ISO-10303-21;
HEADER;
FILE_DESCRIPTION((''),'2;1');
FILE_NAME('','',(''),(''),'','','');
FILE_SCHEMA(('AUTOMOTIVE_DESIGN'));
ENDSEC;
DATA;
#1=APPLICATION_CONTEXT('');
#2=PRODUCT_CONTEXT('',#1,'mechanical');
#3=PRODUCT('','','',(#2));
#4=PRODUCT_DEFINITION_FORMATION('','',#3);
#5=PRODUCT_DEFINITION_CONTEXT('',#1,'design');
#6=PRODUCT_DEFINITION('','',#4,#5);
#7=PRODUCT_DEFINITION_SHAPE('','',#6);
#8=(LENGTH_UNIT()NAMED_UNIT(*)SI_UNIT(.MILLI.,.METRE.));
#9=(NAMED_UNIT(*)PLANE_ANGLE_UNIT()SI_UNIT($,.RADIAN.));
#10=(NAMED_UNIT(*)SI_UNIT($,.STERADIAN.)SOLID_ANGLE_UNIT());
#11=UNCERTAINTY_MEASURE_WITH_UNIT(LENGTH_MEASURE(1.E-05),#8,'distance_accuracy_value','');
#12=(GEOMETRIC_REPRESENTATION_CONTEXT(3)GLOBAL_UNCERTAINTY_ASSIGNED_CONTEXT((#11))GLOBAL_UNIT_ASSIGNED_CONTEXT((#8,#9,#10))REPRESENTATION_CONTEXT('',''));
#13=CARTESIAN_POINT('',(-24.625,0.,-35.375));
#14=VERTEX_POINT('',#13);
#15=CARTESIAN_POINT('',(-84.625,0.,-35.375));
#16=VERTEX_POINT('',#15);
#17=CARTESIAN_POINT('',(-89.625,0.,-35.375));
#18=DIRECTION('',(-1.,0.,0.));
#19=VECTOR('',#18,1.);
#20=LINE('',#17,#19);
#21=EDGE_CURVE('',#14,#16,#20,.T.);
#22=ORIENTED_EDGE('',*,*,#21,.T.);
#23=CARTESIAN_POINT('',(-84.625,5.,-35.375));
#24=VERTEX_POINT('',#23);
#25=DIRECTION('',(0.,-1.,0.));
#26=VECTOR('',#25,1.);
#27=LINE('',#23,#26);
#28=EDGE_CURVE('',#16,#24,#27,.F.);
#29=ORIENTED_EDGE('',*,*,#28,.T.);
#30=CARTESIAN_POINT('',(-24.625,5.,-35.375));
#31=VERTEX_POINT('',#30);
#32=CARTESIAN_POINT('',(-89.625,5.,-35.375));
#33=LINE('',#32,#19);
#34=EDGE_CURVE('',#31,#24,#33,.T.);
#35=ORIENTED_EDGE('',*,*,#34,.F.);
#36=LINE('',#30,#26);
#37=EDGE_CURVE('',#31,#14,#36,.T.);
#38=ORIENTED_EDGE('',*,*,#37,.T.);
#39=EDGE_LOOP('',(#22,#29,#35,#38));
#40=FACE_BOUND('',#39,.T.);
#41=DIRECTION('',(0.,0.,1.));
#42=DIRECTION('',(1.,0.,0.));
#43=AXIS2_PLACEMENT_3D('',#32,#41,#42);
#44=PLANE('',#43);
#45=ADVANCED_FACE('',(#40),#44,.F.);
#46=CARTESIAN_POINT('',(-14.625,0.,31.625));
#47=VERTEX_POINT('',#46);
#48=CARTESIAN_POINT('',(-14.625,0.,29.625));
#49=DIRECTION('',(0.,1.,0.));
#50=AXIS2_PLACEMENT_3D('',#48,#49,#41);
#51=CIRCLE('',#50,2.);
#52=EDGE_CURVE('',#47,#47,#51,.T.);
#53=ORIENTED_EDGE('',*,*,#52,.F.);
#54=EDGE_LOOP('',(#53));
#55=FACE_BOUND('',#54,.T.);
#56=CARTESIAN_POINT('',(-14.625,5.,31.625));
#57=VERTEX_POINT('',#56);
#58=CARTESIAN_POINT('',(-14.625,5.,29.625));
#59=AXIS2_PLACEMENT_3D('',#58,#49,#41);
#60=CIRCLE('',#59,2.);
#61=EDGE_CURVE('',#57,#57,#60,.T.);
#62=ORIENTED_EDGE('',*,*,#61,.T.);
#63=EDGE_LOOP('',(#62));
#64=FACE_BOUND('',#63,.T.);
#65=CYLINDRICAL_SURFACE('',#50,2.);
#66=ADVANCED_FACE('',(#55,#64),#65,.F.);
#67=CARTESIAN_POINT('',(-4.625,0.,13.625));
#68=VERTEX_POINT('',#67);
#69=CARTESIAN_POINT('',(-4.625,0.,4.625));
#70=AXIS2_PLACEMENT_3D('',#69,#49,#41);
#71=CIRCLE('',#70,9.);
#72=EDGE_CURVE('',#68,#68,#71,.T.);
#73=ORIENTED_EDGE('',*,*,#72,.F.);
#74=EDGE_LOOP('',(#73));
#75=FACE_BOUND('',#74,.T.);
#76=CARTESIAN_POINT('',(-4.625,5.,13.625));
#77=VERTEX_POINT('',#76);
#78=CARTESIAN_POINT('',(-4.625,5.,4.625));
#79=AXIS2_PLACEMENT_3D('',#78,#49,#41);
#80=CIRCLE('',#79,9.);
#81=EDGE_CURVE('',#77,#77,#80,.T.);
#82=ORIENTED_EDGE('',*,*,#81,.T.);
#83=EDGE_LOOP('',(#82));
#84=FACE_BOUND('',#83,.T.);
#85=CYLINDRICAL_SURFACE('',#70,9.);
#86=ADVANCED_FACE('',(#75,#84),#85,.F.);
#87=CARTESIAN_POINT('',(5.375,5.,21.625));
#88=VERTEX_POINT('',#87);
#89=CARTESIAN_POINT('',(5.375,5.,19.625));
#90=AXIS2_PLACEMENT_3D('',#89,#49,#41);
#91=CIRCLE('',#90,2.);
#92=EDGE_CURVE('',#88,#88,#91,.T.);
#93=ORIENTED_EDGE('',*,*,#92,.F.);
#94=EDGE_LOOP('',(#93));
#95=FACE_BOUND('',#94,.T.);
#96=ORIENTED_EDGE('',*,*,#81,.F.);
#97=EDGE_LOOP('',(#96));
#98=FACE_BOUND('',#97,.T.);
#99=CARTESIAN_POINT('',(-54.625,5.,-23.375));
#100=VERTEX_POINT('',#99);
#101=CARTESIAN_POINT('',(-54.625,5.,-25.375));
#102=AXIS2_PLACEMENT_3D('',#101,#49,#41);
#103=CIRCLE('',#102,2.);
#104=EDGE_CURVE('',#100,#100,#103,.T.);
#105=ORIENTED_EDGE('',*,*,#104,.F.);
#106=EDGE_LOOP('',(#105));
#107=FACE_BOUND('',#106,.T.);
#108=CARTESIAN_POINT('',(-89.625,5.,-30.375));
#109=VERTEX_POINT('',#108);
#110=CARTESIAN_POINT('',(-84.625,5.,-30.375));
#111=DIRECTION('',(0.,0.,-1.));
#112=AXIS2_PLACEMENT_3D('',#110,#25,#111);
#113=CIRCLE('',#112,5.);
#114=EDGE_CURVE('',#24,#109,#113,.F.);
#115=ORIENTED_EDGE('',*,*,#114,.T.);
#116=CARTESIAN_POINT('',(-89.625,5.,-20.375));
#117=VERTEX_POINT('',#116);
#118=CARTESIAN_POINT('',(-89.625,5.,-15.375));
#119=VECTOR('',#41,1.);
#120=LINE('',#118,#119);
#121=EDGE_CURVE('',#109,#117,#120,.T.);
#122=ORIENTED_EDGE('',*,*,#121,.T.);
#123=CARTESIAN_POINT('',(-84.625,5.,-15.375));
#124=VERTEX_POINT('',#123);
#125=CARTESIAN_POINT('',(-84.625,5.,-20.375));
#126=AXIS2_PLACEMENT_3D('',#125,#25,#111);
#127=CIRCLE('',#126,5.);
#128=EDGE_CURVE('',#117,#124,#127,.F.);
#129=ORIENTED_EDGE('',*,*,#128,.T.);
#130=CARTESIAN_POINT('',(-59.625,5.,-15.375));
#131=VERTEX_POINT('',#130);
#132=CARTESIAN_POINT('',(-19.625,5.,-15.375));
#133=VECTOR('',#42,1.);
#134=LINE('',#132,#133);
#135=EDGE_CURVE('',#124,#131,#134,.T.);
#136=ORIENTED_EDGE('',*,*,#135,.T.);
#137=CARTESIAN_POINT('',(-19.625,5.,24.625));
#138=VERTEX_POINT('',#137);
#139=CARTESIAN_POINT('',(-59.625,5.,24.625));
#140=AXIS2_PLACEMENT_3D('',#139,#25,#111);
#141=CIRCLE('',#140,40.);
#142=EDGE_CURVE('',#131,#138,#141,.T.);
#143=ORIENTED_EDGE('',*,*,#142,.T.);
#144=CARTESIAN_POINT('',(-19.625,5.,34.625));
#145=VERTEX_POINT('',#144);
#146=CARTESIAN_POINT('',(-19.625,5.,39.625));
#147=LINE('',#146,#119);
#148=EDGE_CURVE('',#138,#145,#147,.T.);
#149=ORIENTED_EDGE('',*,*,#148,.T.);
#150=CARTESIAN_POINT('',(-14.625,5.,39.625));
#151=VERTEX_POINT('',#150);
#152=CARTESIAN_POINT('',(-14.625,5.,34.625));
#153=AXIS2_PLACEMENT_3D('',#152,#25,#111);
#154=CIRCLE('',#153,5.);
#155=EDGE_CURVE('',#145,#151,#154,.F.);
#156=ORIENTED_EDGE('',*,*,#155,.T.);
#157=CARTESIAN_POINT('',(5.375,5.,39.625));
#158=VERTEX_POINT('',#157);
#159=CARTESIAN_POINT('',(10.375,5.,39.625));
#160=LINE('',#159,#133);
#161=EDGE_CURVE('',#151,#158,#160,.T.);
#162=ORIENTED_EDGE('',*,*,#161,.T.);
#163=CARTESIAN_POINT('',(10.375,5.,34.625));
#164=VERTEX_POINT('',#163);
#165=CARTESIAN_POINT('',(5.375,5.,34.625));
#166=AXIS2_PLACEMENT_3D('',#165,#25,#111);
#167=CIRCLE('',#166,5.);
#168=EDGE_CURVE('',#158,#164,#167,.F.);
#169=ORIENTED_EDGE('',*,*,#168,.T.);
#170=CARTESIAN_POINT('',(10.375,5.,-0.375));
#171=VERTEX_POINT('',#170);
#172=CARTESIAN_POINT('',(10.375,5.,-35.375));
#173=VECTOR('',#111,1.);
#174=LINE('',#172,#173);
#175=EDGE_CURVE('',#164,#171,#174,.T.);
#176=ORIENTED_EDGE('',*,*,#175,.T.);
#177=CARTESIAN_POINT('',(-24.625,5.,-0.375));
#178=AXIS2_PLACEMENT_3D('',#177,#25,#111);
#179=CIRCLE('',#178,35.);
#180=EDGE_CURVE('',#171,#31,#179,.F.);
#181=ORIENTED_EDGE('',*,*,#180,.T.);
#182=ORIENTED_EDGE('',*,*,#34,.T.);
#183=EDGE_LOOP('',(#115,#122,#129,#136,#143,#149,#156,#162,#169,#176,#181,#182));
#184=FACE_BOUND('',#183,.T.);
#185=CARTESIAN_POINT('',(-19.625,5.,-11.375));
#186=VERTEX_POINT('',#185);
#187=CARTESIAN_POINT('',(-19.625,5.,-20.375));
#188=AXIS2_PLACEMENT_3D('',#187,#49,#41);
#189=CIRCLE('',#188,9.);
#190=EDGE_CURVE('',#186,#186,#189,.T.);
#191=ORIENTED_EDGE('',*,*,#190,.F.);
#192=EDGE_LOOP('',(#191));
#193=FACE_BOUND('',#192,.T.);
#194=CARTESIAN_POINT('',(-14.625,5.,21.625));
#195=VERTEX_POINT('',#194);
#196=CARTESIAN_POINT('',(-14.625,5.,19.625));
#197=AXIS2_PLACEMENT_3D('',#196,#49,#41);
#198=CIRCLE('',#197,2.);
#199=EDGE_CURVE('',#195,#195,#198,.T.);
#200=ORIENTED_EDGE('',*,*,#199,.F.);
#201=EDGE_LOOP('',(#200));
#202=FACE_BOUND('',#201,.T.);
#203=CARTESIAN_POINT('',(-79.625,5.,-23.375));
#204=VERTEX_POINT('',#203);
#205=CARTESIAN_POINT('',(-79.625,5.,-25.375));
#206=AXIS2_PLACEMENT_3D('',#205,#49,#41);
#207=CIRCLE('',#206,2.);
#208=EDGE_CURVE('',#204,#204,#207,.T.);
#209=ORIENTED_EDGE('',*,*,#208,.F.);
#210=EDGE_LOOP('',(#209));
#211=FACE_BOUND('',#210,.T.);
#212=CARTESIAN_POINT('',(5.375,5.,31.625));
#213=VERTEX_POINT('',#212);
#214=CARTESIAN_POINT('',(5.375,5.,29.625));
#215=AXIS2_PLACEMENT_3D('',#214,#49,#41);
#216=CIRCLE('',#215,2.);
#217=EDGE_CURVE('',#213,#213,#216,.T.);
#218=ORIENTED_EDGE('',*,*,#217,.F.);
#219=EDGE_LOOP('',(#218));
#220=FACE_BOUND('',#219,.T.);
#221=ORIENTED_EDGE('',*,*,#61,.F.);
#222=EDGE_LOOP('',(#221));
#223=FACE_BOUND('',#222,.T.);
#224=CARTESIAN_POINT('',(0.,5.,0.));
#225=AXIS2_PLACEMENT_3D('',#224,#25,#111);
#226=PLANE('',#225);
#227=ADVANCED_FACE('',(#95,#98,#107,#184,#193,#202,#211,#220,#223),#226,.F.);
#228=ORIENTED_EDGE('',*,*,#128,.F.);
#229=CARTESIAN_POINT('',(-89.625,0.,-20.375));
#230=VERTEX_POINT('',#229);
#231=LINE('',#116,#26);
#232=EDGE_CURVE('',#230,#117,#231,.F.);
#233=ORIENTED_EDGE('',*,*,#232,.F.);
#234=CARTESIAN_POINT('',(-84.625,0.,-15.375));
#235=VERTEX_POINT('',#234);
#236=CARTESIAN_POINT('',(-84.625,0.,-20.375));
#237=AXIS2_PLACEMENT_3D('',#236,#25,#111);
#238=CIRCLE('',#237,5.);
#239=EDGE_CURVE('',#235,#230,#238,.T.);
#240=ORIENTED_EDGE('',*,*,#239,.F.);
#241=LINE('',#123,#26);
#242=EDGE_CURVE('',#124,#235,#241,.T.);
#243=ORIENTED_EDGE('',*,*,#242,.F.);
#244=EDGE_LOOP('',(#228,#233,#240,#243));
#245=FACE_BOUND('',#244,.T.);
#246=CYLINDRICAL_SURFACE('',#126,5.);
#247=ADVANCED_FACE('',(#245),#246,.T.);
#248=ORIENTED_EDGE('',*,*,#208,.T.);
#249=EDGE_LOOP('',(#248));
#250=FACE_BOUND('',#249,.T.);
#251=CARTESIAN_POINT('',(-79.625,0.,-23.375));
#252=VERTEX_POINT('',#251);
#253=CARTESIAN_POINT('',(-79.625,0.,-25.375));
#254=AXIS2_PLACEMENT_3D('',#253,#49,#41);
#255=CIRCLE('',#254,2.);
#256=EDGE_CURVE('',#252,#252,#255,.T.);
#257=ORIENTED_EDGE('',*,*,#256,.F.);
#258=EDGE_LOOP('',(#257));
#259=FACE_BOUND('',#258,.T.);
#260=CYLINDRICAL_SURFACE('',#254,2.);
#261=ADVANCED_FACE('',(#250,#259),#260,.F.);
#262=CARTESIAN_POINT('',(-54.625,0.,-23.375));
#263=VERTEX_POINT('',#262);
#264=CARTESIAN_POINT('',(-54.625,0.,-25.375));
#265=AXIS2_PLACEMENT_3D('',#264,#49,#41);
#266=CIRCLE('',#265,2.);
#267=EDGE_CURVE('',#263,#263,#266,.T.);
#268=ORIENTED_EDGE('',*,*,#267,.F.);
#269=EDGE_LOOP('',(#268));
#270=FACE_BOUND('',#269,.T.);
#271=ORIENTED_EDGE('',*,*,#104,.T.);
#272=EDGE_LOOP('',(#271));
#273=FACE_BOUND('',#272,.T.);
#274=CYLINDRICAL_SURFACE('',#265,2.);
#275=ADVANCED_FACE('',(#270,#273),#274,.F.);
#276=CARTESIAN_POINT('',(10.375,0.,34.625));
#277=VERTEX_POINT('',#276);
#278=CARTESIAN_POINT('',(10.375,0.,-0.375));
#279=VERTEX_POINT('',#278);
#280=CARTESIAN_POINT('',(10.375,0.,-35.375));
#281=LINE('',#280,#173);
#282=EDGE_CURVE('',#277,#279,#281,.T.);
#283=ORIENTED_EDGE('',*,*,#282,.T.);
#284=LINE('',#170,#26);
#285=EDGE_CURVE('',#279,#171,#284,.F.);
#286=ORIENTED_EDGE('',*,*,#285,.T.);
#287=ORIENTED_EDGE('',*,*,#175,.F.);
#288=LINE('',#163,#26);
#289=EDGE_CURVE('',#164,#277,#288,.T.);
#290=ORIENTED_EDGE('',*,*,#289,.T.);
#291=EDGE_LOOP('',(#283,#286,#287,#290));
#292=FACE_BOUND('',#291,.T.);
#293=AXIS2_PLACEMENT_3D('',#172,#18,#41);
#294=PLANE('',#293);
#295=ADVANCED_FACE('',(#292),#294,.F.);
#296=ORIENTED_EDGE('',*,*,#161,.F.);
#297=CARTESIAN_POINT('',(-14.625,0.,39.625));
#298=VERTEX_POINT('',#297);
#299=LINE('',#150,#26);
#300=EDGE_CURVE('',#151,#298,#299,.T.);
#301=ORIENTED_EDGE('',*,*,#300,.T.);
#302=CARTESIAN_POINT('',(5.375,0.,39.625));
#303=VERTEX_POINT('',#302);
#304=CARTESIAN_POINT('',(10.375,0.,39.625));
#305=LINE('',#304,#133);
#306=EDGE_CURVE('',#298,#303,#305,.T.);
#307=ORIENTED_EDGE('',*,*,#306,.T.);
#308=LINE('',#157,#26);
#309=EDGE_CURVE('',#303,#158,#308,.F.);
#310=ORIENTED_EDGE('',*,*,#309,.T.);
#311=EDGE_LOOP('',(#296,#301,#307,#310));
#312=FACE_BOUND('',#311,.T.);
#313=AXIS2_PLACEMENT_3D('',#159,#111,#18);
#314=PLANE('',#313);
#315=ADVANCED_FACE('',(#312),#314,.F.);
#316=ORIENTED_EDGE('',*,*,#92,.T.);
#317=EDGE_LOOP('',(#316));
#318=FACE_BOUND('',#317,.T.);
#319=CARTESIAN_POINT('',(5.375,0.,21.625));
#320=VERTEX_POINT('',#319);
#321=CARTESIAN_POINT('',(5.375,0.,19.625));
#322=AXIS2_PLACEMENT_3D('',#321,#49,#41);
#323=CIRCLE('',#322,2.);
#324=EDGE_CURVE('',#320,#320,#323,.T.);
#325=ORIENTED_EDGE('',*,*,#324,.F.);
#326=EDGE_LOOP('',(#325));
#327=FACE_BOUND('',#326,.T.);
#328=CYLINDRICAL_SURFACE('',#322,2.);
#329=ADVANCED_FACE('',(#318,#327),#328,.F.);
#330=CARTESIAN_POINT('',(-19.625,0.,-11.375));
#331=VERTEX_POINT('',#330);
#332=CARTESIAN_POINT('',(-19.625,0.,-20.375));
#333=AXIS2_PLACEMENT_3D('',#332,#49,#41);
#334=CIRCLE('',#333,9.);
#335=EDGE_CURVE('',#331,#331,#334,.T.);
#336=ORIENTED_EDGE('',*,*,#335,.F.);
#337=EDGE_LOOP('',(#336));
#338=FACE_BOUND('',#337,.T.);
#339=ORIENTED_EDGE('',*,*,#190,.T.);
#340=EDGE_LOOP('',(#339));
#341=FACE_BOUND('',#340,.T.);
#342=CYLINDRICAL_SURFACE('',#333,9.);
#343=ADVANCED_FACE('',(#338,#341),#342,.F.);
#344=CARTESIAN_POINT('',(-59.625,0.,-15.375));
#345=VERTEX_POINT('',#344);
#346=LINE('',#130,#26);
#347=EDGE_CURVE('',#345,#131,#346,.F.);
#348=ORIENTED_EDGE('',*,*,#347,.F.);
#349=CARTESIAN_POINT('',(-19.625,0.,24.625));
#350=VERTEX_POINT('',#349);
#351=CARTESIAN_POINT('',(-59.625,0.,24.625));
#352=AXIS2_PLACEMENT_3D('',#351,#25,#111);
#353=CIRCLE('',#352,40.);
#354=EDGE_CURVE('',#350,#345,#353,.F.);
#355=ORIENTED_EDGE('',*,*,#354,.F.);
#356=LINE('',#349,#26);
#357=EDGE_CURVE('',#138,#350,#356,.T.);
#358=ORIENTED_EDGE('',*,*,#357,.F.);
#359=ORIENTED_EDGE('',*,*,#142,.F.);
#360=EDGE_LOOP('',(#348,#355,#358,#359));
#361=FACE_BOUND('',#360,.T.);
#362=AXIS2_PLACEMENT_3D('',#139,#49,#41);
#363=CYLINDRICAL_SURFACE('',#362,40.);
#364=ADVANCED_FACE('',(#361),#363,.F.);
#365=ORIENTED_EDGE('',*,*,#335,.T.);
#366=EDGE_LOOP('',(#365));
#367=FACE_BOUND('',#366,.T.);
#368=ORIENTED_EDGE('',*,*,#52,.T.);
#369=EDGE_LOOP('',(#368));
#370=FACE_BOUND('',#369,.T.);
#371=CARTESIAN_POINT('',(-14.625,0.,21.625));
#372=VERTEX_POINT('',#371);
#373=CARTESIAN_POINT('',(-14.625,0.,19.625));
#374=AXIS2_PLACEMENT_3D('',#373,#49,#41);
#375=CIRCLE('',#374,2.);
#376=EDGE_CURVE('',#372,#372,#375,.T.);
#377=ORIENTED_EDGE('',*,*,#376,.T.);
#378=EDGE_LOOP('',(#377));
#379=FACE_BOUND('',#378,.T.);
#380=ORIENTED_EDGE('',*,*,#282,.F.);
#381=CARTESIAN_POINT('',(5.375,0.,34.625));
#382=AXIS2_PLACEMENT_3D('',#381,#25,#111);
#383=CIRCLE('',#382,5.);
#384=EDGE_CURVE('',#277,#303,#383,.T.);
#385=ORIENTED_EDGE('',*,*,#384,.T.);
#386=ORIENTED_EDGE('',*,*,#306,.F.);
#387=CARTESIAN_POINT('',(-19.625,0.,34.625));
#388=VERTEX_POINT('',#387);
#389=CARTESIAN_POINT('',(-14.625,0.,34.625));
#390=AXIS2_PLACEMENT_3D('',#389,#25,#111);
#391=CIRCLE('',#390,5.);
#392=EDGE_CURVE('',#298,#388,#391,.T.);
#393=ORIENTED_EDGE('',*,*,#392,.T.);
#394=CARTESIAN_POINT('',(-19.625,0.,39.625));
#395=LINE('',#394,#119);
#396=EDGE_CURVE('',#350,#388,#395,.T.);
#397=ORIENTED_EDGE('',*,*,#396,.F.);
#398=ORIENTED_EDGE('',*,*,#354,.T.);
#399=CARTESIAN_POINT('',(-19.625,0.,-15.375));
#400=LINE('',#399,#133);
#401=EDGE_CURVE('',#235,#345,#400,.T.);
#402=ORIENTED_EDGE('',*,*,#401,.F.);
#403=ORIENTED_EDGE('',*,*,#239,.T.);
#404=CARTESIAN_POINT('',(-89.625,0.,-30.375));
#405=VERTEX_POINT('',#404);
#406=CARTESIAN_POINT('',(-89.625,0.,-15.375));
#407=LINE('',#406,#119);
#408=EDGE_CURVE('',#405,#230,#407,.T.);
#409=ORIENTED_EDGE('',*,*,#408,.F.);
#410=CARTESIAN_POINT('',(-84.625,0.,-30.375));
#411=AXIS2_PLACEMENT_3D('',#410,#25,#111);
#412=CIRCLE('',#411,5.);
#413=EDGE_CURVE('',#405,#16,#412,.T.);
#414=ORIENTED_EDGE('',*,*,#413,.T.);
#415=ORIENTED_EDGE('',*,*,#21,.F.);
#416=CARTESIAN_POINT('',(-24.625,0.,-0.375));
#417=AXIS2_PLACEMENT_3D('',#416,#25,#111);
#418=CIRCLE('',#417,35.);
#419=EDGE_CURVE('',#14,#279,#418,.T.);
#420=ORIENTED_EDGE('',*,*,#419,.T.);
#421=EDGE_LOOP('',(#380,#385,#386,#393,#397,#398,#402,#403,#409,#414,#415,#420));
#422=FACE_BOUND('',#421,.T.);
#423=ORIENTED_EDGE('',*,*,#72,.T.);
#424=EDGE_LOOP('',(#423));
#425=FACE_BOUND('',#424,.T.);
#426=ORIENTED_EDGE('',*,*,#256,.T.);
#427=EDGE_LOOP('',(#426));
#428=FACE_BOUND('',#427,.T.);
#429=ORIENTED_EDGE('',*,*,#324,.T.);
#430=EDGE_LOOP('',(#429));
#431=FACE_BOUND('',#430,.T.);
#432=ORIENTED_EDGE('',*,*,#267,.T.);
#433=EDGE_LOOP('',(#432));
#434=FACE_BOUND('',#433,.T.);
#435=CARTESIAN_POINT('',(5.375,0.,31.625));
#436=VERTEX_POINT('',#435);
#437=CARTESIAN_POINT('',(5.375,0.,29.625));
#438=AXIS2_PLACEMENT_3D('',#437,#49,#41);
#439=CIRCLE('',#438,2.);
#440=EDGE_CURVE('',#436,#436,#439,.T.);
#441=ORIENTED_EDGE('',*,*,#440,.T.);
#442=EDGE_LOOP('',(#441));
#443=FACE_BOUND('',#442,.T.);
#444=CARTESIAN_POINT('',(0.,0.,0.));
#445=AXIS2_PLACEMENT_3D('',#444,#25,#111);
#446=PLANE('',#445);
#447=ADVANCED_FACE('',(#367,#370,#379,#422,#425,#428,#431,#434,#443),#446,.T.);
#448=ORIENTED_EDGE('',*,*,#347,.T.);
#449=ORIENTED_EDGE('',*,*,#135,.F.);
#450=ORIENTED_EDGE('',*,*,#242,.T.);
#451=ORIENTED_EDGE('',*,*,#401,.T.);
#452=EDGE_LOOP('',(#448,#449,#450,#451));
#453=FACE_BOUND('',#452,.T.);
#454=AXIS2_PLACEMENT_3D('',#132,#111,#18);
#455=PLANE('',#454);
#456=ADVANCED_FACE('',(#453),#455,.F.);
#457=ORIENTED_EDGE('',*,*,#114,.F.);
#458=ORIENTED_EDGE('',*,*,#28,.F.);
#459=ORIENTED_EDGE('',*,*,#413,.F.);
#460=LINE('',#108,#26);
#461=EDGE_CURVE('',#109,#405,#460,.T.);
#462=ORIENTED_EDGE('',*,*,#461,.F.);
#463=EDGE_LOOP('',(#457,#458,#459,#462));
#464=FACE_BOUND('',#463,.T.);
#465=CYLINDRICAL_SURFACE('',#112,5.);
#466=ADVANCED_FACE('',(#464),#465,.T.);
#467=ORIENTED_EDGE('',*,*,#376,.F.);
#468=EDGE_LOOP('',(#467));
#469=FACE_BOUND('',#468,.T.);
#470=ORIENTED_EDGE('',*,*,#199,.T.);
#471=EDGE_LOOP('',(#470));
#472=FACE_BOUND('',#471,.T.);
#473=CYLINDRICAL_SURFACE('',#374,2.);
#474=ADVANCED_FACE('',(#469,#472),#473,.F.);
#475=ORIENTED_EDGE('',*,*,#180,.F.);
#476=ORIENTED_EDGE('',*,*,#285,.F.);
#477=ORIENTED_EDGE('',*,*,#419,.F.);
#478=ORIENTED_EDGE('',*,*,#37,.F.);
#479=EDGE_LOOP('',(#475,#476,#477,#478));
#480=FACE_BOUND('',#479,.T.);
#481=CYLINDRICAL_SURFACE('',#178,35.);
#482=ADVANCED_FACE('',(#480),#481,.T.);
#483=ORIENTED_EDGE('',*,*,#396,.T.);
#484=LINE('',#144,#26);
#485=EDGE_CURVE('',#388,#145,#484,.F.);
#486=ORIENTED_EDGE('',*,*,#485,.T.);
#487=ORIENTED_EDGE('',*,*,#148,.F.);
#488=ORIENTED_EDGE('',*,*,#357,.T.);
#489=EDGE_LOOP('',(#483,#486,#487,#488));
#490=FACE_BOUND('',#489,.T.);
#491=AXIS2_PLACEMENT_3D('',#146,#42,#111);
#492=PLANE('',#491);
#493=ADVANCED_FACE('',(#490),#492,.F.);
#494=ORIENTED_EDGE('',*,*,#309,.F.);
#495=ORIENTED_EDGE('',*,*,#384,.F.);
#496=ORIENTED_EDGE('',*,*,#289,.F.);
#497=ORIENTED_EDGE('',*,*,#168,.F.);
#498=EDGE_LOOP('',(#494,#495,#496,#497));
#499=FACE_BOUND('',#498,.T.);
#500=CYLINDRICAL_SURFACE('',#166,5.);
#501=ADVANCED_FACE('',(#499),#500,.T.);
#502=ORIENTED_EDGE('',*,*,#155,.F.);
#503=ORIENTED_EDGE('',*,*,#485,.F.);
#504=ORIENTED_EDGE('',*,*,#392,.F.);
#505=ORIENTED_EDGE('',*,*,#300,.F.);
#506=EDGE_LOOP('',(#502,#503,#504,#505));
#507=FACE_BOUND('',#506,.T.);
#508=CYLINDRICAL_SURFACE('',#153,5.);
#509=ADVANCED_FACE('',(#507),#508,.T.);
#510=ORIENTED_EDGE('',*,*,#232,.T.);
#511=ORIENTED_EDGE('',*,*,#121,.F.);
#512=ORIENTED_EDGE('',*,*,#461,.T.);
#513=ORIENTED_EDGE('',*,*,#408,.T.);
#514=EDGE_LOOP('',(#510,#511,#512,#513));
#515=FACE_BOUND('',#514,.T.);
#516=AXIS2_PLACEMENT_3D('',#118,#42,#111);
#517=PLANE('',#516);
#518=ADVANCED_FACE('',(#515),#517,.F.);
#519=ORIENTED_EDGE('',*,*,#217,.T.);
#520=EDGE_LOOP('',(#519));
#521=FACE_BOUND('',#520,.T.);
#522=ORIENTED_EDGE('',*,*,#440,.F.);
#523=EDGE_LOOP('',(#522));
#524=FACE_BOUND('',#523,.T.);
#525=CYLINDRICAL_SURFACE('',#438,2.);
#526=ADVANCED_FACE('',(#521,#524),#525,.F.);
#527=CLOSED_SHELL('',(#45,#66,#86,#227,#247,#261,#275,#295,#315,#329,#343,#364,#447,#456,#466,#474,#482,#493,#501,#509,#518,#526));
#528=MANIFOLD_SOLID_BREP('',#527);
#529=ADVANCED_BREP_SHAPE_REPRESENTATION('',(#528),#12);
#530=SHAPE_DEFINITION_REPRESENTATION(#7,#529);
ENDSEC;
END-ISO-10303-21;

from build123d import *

# Parameters (mm, degrees)
EXTRUDE_1_DEPTH     = 5
FILLET_1_R          = 40
FILLET_2_R          = 5
SKETCH_2_R          = 2
CUT_EXTRUDE_1_DEPTH = 5
FILLET_3_R          = 35
SKETCH_3_R          = 9
CUT_EXTRUDE_2_DEPTH = 99.12125789
SKETCH_4_R          = 2
CUT_EXTRUDE_3_DEPTH = 99.12125789


with BuildPart() as part:
    # 草图1 → 凸台-拉伸1 (new body)
    with BuildSketch(Plane(origin=(0, 0, 0), x_dir=(1, 0, 0), z_dir=(0, 1, 0))):
        Polygon((-89.625, 35.375), (10.375, 35.375), (10.375, -39.625), (-19.625, -39.625), (-19.625, 15.375), (-89.625, 15.375), align=None)
    extrude(amount=EXTRUDE_1_DEPTH)

    # 圆角1
    fillet_1_edges = [part.edges().sort_by_distance(p)[0] for p in [
        (-19.625, 2.5, -15.375),
    ]]
    fillet(fillet_1_edges, radius=FILLET_1_R)

    # 圆角2
    fillet_2_edges = [part.edges().sort_by_distance(p)[0] for p in [
        (-89.625, 2.5, -35.375),
        (10.375, 2.5, 39.625),
        (-19.625, 2.5, 39.625),
        (-89.625, 2.5, -15.375),
    ]]
    fillet(fillet_2_edges, radius=FILLET_2_R)

    # 草图2 → 切除-拉伸1 (cut)
    with BuildSketch(Plane(origin=(0, 5, 0), x_dir=(1, 0, 0), z_dir=(0, 1, 0))):
        with Locations(Location((-14.625, -29.625, 0), (0, 0, 270))):
            Circle(SKETCH_2_R)
        with Locations(Location((5.375, -29.625, 0), (0, 0, 270))):
            Circle(SKETCH_2_R)
        with Locations(Location((5.375, -19.625, 0), (0, 0, 270))):
            Circle(SKETCH_2_R)
        with Locations(Location((-14.625, -19.625, 0), (0, 0, 270))):
            Circle(SKETCH_2_R)
    extrude(amount=-CUT_EXTRUDE_1_DEPTH, mode=Mode.SUBTRACT)

    # 圆角3
    fillet_3_edges = [part.edges().sort_by_distance(p)[0] for p in [
        (10.375, 2.5, -35.375),
    ]]
    fillet(fillet_3_edges, radius=FILLET_3_R)

    # 草图3 → 切除-拉伸2 (cut, through all)
    with BuildSketch(Plane(origin=(0, 5, 0), x_dir=(1, 0, 0), z_dir=(0, 1, 0))):
        with Locations(Location((-19.625, 20.375, 0), (0, 0, 270))):
            Circle(SKETCH_3_R)
        with Locations(Location((-4.625, -4.625, 0), (0, 0, 270))):
            Circle(SKETCH_3_R)
    extrude(amount=-CUT_EXTRUDE_2_DEPTH, mode=Mode.SUBTRACT)

    # 草图4 → 切除-拉伸3 (cut, through all)
    with BuildSketch(Plane(origin=(0, 5, 0), x_dir=(1, 0, 0), z_dir=(0, 1, 0))):
        with Locations(Location((-79.625, 25.375, 0), (0, 0, 270))):
            Circle(SKETCH_4_R)
        with Locations(Location((-54.625, 25.375, 0), (0, 0, 270))):
            Circle(SKETCH_4_R)
    extrude(amount=-CUT_EXTRUDE_3_DEPTH, mode=Mode.SUBTRACT)


solid = part.part
